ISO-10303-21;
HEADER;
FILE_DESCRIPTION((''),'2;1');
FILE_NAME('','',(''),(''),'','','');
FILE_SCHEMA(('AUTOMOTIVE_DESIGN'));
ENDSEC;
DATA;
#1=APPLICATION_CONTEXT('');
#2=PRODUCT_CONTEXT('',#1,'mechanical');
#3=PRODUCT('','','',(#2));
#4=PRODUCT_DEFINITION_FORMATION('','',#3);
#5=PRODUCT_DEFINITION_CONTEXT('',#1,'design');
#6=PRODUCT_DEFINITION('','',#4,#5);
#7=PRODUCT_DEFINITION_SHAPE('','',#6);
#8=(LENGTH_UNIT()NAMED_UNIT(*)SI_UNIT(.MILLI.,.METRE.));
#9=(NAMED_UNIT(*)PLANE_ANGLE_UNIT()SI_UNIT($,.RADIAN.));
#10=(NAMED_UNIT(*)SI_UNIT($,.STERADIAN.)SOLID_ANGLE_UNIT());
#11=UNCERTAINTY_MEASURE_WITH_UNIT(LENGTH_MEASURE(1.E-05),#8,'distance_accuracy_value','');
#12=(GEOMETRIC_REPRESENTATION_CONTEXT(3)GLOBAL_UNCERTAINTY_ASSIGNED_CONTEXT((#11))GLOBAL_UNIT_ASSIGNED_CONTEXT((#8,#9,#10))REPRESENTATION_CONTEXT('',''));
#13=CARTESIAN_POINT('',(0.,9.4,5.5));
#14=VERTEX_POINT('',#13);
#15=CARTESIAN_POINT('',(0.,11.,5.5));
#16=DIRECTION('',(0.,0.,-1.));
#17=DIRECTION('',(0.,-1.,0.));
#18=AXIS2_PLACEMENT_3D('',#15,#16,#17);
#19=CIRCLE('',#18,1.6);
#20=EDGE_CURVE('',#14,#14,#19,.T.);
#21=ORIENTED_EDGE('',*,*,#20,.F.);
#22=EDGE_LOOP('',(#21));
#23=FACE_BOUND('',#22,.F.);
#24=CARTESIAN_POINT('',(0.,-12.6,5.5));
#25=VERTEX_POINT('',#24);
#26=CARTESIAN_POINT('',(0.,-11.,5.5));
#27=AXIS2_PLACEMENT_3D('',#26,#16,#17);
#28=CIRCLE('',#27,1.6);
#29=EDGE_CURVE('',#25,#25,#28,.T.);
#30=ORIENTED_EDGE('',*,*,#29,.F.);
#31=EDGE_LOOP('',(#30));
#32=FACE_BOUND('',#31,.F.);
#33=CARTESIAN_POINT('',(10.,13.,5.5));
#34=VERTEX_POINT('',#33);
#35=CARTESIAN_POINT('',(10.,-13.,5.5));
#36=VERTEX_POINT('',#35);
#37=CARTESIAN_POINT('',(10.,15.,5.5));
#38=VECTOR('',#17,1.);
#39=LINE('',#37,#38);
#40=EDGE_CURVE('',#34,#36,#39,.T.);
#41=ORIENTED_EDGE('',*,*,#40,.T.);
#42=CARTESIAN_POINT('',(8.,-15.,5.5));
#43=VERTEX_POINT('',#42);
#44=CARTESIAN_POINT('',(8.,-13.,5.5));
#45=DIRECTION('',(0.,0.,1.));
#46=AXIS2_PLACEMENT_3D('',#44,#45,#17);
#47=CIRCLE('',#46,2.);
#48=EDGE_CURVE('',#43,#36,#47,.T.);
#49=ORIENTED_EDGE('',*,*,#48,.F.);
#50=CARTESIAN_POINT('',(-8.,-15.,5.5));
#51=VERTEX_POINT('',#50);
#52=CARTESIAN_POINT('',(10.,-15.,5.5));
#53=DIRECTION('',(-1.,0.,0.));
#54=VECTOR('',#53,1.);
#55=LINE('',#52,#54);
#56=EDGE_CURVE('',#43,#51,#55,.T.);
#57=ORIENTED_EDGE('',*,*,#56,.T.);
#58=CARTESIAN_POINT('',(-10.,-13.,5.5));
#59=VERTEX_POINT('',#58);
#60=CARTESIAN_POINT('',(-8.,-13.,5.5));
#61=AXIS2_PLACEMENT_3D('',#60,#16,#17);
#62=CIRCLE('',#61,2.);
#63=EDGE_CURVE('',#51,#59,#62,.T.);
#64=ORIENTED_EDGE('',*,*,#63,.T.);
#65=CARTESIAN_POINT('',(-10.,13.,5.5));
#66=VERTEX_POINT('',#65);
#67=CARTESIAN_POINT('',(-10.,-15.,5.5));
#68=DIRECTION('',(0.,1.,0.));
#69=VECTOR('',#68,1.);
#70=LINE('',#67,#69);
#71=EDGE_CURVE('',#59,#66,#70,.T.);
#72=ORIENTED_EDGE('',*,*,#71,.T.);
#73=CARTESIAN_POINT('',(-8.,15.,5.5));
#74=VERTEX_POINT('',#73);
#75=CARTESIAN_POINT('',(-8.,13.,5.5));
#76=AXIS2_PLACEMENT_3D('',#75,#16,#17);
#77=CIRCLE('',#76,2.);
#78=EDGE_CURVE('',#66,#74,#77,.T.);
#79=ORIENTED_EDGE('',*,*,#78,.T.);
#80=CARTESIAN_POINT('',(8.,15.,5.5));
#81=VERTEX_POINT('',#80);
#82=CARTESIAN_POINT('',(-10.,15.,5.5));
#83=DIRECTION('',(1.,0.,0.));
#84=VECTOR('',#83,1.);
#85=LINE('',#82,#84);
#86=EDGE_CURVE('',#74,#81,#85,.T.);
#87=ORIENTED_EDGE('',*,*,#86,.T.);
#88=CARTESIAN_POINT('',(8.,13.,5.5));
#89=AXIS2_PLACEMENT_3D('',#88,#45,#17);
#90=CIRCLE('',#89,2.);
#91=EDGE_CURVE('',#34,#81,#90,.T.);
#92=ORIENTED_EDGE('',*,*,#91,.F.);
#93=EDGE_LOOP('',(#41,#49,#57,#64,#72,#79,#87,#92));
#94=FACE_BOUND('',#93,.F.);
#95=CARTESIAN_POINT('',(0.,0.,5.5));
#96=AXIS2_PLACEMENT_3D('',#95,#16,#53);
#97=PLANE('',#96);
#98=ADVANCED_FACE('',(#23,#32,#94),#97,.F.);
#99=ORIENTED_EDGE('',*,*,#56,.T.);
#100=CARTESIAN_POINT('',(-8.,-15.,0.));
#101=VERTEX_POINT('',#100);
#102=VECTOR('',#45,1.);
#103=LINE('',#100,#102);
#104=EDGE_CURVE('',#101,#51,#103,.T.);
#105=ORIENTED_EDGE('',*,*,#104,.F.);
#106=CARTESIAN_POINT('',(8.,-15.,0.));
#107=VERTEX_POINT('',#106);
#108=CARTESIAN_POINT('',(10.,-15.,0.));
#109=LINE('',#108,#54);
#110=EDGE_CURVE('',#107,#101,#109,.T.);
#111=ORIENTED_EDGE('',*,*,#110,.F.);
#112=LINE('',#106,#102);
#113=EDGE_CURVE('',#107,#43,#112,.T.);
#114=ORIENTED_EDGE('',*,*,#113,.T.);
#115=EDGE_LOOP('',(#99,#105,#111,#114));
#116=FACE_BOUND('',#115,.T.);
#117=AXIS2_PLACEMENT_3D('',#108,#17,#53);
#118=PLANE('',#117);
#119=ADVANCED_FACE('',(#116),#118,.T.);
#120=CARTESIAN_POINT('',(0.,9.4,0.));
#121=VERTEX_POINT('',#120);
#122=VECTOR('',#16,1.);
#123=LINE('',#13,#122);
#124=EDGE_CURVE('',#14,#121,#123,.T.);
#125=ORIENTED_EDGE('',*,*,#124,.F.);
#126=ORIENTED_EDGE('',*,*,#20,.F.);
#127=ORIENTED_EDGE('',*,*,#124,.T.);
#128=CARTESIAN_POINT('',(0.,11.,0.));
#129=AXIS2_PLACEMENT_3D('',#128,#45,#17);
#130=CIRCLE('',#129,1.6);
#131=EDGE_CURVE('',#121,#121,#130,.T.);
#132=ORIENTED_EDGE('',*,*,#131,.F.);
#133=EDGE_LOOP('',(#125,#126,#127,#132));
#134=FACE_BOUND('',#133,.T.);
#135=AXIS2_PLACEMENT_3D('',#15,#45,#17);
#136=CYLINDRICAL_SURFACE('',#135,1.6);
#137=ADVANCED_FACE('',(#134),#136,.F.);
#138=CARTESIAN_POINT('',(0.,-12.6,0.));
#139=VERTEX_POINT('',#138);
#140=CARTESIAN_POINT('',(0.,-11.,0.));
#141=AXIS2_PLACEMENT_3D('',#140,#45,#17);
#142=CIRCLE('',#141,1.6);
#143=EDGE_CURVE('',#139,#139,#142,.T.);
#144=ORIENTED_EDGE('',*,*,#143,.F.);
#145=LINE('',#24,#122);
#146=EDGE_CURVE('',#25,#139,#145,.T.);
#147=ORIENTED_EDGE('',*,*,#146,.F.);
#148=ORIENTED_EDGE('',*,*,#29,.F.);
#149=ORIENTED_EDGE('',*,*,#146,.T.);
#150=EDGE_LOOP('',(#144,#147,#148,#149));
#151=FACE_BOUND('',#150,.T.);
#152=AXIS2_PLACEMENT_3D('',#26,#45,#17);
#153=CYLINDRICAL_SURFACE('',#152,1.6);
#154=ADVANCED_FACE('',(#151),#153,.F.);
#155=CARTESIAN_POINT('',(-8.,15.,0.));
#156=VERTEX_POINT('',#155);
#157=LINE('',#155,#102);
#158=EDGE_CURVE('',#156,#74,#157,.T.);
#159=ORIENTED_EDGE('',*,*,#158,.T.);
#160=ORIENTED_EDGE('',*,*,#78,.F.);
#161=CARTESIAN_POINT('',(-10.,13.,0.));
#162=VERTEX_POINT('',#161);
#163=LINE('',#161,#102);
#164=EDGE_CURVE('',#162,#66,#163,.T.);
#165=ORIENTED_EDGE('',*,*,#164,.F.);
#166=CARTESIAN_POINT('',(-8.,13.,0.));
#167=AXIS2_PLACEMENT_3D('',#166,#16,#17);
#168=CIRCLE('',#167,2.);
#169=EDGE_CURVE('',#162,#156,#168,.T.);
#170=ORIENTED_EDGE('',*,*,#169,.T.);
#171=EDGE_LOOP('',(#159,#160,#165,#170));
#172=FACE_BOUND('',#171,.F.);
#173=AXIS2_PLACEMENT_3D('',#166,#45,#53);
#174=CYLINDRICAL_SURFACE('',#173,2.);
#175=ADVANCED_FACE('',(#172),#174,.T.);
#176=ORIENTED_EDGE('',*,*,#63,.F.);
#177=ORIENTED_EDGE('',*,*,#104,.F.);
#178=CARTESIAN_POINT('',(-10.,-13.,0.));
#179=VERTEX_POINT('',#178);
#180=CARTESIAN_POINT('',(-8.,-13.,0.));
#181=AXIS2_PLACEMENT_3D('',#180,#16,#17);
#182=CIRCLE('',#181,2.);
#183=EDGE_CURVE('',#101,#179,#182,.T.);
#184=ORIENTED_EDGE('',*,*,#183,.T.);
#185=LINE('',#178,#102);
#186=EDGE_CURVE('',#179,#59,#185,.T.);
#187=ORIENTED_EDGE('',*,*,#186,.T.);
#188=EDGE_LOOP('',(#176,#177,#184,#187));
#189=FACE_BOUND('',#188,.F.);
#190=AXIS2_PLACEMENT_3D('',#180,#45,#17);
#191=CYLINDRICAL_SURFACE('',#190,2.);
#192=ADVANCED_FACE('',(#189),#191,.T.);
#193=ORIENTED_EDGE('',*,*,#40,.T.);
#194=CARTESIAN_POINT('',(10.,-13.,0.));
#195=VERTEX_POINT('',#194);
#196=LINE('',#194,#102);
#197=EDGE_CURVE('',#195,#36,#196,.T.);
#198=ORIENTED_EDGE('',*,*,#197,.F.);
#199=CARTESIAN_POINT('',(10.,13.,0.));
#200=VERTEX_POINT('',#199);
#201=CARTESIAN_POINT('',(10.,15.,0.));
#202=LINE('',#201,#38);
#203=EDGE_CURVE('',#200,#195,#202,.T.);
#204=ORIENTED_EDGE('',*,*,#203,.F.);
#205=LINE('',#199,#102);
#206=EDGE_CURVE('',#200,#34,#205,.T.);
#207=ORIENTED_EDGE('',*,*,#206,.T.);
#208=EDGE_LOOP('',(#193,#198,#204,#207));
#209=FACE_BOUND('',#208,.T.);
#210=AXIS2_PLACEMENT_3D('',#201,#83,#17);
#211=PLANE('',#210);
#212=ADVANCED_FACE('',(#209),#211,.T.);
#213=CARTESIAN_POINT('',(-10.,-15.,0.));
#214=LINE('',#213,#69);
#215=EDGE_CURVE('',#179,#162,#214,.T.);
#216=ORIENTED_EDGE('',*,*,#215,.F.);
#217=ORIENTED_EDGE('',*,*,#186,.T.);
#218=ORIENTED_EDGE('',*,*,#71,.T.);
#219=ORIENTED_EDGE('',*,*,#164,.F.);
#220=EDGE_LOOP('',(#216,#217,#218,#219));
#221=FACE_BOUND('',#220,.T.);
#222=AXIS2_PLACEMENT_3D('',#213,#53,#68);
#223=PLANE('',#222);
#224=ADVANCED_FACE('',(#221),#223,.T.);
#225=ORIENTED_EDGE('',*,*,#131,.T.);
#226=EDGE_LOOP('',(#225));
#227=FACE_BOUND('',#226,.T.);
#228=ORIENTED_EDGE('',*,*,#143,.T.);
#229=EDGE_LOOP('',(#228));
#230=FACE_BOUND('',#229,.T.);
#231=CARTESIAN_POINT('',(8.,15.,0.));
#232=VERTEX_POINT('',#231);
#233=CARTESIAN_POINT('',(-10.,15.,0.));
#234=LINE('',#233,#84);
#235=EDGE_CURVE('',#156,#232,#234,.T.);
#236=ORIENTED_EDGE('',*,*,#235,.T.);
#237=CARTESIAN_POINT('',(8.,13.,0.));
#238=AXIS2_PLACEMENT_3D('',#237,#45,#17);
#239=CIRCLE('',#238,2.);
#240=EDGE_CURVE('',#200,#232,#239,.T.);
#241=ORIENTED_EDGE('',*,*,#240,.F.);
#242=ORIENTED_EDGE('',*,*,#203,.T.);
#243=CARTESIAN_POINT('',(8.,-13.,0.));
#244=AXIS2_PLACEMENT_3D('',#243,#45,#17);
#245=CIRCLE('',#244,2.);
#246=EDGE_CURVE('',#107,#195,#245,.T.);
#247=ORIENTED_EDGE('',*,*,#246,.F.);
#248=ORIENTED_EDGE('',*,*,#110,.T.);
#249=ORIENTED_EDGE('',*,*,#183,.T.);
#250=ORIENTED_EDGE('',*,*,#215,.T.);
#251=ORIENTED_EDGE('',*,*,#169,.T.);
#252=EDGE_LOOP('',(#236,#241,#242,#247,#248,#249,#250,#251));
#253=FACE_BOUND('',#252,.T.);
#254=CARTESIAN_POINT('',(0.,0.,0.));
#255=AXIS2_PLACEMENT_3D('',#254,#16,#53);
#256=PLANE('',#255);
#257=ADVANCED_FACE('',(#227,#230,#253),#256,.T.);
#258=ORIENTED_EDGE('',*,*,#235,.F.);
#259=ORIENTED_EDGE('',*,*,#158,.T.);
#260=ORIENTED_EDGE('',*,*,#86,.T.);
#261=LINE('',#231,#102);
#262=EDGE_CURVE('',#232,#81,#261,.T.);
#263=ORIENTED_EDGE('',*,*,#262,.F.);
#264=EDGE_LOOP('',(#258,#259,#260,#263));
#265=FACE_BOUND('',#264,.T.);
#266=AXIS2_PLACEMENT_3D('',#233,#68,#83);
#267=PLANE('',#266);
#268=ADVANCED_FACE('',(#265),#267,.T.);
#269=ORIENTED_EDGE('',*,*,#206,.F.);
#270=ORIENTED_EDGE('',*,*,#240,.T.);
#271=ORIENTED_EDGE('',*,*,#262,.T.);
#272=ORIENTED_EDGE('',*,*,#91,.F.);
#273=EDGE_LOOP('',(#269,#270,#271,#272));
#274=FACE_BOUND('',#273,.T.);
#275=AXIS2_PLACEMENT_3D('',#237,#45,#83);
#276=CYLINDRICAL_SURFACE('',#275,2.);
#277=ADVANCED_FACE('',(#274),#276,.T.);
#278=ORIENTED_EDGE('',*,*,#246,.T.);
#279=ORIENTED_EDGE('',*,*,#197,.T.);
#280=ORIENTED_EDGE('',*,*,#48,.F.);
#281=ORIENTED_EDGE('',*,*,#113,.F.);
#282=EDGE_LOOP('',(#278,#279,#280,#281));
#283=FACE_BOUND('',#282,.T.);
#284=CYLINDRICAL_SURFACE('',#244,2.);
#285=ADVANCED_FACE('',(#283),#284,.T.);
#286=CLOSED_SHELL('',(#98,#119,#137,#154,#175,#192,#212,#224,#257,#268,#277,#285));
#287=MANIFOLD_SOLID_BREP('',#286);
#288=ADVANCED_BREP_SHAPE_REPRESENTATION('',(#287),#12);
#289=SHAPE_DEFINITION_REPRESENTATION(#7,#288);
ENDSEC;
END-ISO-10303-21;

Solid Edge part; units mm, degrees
sketch "Sketch1" plane through (0, 0, 0) normal (0, 0, 1) x (1, 0, 0)
  line L0 (10, -15) -> (-10, -15)
  line L1 (-10, -15) -> (-10, 15)
  line L2 (-10, 15) -> (10, 15)
  line L3 (10, 15) -> (10, -15)
  dimension "D1" = 30
  dimension "D2" = 20
extrude "Protrusion1" add sketch "Sketch1" along normal blind 5.5
hole "Hole_1" at (0, 11, 5.5) direction (0, 0, -1) diameter 3.2 end up to next
hole "Hole1" at (0, -11, 5.5) direction (0, 0, -1) diameter 3.2 end up to next
fillet "Round_1" radius 2 4 edges at (-10, -15, 2.75) (10, -15, 2.75) (-10, 15, 2.75) (10, 15, 2.75)
properties material "木材, アッシュ"
